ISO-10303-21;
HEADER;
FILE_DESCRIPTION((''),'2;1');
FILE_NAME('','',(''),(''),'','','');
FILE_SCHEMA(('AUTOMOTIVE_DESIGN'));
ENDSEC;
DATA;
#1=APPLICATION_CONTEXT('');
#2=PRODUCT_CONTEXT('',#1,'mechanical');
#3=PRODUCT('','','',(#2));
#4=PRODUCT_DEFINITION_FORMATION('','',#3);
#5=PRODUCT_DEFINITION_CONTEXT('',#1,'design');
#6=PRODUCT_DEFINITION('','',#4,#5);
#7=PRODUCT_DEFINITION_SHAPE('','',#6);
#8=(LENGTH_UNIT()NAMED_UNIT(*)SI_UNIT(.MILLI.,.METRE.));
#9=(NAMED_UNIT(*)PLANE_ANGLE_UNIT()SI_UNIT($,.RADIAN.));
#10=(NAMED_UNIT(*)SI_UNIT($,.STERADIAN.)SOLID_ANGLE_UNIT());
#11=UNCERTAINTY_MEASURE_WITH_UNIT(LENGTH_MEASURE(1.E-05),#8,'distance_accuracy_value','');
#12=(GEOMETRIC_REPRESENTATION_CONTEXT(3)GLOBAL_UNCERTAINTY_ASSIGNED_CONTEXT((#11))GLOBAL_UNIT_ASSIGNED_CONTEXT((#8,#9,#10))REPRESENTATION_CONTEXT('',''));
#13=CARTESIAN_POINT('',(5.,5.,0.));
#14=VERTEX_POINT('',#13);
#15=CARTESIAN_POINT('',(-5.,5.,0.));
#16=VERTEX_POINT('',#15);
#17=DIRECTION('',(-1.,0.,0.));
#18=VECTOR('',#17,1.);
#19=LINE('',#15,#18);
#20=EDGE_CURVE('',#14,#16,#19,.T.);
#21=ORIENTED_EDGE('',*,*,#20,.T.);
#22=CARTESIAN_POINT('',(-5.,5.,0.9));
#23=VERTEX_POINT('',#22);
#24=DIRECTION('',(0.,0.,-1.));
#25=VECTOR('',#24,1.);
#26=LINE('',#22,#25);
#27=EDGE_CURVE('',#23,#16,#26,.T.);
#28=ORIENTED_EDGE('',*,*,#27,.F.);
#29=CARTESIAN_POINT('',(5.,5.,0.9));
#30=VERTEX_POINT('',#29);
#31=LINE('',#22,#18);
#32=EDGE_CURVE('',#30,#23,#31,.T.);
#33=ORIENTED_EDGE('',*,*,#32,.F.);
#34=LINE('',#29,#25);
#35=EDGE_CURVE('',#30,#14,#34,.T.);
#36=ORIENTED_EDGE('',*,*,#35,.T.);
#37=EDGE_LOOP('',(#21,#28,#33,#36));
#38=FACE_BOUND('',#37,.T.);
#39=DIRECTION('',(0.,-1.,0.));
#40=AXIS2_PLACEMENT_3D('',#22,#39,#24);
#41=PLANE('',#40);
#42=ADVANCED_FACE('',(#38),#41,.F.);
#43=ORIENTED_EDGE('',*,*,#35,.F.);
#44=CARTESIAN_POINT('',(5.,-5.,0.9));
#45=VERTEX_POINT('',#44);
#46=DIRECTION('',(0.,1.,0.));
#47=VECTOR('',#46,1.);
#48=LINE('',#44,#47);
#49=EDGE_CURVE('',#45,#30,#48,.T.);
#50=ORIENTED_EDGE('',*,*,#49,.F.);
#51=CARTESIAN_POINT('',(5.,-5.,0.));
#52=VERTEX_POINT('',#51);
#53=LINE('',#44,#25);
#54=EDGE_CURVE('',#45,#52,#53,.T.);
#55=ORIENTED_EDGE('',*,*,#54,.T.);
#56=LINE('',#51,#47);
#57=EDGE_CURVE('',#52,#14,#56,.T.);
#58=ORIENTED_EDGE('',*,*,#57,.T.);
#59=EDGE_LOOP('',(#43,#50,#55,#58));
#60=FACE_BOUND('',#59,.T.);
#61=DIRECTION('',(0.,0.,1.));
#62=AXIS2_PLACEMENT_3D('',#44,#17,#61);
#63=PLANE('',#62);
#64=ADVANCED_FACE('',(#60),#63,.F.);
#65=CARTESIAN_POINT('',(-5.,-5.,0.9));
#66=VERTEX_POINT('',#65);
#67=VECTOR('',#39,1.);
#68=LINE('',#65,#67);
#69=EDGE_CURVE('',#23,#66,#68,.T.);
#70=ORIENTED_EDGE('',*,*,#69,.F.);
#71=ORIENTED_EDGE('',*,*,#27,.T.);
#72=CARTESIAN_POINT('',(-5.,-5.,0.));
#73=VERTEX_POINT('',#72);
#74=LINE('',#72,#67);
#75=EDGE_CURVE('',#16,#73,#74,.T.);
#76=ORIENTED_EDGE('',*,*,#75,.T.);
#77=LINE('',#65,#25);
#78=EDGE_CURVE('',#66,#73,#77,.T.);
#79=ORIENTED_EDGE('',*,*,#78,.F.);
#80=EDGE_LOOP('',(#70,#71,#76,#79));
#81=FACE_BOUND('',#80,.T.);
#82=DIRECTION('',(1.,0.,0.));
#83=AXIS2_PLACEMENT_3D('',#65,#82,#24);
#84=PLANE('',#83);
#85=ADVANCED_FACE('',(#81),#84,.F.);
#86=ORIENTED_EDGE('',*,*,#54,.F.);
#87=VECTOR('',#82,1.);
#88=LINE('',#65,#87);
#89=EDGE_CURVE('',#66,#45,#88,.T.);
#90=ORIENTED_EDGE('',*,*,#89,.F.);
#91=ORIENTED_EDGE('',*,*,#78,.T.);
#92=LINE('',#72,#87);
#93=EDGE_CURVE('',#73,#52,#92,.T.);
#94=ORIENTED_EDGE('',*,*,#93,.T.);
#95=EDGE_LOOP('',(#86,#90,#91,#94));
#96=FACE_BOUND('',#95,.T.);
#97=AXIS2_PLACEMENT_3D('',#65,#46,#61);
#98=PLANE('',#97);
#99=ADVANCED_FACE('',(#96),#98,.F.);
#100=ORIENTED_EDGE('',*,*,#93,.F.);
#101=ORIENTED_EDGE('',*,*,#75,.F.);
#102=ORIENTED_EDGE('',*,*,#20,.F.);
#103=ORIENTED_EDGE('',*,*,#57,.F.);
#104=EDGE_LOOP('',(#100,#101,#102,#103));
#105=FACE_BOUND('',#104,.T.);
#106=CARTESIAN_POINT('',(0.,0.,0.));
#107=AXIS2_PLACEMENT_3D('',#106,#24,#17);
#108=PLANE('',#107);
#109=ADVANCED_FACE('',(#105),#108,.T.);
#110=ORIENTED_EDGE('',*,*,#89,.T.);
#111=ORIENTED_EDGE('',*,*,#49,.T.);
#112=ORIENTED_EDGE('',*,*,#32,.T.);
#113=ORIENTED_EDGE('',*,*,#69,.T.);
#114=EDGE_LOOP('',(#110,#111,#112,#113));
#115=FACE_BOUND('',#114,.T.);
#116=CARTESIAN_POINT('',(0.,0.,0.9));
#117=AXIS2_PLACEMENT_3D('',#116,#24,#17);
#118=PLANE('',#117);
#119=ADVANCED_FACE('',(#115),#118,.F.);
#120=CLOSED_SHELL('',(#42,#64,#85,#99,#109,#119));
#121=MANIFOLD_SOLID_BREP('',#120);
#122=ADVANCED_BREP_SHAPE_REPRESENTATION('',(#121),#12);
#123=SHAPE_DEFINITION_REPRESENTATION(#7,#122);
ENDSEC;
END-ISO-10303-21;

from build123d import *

# Parameters (mm, degrees)
SKETCH_1_W      = 10
SKETCH_1_H      = 10
EXTRUDE_1_DEPTH = 0.9


with BuildPart() as part:
    # 草图1 → 凸台-拉伸1 (new body)
    with BuildSketch(Plane.XY):
        Rectangle(SKETCH_1_W, SKETCH_1_H)
    extrude(amount=EXTRUDE_1_DEPTH)


solid = part.part
